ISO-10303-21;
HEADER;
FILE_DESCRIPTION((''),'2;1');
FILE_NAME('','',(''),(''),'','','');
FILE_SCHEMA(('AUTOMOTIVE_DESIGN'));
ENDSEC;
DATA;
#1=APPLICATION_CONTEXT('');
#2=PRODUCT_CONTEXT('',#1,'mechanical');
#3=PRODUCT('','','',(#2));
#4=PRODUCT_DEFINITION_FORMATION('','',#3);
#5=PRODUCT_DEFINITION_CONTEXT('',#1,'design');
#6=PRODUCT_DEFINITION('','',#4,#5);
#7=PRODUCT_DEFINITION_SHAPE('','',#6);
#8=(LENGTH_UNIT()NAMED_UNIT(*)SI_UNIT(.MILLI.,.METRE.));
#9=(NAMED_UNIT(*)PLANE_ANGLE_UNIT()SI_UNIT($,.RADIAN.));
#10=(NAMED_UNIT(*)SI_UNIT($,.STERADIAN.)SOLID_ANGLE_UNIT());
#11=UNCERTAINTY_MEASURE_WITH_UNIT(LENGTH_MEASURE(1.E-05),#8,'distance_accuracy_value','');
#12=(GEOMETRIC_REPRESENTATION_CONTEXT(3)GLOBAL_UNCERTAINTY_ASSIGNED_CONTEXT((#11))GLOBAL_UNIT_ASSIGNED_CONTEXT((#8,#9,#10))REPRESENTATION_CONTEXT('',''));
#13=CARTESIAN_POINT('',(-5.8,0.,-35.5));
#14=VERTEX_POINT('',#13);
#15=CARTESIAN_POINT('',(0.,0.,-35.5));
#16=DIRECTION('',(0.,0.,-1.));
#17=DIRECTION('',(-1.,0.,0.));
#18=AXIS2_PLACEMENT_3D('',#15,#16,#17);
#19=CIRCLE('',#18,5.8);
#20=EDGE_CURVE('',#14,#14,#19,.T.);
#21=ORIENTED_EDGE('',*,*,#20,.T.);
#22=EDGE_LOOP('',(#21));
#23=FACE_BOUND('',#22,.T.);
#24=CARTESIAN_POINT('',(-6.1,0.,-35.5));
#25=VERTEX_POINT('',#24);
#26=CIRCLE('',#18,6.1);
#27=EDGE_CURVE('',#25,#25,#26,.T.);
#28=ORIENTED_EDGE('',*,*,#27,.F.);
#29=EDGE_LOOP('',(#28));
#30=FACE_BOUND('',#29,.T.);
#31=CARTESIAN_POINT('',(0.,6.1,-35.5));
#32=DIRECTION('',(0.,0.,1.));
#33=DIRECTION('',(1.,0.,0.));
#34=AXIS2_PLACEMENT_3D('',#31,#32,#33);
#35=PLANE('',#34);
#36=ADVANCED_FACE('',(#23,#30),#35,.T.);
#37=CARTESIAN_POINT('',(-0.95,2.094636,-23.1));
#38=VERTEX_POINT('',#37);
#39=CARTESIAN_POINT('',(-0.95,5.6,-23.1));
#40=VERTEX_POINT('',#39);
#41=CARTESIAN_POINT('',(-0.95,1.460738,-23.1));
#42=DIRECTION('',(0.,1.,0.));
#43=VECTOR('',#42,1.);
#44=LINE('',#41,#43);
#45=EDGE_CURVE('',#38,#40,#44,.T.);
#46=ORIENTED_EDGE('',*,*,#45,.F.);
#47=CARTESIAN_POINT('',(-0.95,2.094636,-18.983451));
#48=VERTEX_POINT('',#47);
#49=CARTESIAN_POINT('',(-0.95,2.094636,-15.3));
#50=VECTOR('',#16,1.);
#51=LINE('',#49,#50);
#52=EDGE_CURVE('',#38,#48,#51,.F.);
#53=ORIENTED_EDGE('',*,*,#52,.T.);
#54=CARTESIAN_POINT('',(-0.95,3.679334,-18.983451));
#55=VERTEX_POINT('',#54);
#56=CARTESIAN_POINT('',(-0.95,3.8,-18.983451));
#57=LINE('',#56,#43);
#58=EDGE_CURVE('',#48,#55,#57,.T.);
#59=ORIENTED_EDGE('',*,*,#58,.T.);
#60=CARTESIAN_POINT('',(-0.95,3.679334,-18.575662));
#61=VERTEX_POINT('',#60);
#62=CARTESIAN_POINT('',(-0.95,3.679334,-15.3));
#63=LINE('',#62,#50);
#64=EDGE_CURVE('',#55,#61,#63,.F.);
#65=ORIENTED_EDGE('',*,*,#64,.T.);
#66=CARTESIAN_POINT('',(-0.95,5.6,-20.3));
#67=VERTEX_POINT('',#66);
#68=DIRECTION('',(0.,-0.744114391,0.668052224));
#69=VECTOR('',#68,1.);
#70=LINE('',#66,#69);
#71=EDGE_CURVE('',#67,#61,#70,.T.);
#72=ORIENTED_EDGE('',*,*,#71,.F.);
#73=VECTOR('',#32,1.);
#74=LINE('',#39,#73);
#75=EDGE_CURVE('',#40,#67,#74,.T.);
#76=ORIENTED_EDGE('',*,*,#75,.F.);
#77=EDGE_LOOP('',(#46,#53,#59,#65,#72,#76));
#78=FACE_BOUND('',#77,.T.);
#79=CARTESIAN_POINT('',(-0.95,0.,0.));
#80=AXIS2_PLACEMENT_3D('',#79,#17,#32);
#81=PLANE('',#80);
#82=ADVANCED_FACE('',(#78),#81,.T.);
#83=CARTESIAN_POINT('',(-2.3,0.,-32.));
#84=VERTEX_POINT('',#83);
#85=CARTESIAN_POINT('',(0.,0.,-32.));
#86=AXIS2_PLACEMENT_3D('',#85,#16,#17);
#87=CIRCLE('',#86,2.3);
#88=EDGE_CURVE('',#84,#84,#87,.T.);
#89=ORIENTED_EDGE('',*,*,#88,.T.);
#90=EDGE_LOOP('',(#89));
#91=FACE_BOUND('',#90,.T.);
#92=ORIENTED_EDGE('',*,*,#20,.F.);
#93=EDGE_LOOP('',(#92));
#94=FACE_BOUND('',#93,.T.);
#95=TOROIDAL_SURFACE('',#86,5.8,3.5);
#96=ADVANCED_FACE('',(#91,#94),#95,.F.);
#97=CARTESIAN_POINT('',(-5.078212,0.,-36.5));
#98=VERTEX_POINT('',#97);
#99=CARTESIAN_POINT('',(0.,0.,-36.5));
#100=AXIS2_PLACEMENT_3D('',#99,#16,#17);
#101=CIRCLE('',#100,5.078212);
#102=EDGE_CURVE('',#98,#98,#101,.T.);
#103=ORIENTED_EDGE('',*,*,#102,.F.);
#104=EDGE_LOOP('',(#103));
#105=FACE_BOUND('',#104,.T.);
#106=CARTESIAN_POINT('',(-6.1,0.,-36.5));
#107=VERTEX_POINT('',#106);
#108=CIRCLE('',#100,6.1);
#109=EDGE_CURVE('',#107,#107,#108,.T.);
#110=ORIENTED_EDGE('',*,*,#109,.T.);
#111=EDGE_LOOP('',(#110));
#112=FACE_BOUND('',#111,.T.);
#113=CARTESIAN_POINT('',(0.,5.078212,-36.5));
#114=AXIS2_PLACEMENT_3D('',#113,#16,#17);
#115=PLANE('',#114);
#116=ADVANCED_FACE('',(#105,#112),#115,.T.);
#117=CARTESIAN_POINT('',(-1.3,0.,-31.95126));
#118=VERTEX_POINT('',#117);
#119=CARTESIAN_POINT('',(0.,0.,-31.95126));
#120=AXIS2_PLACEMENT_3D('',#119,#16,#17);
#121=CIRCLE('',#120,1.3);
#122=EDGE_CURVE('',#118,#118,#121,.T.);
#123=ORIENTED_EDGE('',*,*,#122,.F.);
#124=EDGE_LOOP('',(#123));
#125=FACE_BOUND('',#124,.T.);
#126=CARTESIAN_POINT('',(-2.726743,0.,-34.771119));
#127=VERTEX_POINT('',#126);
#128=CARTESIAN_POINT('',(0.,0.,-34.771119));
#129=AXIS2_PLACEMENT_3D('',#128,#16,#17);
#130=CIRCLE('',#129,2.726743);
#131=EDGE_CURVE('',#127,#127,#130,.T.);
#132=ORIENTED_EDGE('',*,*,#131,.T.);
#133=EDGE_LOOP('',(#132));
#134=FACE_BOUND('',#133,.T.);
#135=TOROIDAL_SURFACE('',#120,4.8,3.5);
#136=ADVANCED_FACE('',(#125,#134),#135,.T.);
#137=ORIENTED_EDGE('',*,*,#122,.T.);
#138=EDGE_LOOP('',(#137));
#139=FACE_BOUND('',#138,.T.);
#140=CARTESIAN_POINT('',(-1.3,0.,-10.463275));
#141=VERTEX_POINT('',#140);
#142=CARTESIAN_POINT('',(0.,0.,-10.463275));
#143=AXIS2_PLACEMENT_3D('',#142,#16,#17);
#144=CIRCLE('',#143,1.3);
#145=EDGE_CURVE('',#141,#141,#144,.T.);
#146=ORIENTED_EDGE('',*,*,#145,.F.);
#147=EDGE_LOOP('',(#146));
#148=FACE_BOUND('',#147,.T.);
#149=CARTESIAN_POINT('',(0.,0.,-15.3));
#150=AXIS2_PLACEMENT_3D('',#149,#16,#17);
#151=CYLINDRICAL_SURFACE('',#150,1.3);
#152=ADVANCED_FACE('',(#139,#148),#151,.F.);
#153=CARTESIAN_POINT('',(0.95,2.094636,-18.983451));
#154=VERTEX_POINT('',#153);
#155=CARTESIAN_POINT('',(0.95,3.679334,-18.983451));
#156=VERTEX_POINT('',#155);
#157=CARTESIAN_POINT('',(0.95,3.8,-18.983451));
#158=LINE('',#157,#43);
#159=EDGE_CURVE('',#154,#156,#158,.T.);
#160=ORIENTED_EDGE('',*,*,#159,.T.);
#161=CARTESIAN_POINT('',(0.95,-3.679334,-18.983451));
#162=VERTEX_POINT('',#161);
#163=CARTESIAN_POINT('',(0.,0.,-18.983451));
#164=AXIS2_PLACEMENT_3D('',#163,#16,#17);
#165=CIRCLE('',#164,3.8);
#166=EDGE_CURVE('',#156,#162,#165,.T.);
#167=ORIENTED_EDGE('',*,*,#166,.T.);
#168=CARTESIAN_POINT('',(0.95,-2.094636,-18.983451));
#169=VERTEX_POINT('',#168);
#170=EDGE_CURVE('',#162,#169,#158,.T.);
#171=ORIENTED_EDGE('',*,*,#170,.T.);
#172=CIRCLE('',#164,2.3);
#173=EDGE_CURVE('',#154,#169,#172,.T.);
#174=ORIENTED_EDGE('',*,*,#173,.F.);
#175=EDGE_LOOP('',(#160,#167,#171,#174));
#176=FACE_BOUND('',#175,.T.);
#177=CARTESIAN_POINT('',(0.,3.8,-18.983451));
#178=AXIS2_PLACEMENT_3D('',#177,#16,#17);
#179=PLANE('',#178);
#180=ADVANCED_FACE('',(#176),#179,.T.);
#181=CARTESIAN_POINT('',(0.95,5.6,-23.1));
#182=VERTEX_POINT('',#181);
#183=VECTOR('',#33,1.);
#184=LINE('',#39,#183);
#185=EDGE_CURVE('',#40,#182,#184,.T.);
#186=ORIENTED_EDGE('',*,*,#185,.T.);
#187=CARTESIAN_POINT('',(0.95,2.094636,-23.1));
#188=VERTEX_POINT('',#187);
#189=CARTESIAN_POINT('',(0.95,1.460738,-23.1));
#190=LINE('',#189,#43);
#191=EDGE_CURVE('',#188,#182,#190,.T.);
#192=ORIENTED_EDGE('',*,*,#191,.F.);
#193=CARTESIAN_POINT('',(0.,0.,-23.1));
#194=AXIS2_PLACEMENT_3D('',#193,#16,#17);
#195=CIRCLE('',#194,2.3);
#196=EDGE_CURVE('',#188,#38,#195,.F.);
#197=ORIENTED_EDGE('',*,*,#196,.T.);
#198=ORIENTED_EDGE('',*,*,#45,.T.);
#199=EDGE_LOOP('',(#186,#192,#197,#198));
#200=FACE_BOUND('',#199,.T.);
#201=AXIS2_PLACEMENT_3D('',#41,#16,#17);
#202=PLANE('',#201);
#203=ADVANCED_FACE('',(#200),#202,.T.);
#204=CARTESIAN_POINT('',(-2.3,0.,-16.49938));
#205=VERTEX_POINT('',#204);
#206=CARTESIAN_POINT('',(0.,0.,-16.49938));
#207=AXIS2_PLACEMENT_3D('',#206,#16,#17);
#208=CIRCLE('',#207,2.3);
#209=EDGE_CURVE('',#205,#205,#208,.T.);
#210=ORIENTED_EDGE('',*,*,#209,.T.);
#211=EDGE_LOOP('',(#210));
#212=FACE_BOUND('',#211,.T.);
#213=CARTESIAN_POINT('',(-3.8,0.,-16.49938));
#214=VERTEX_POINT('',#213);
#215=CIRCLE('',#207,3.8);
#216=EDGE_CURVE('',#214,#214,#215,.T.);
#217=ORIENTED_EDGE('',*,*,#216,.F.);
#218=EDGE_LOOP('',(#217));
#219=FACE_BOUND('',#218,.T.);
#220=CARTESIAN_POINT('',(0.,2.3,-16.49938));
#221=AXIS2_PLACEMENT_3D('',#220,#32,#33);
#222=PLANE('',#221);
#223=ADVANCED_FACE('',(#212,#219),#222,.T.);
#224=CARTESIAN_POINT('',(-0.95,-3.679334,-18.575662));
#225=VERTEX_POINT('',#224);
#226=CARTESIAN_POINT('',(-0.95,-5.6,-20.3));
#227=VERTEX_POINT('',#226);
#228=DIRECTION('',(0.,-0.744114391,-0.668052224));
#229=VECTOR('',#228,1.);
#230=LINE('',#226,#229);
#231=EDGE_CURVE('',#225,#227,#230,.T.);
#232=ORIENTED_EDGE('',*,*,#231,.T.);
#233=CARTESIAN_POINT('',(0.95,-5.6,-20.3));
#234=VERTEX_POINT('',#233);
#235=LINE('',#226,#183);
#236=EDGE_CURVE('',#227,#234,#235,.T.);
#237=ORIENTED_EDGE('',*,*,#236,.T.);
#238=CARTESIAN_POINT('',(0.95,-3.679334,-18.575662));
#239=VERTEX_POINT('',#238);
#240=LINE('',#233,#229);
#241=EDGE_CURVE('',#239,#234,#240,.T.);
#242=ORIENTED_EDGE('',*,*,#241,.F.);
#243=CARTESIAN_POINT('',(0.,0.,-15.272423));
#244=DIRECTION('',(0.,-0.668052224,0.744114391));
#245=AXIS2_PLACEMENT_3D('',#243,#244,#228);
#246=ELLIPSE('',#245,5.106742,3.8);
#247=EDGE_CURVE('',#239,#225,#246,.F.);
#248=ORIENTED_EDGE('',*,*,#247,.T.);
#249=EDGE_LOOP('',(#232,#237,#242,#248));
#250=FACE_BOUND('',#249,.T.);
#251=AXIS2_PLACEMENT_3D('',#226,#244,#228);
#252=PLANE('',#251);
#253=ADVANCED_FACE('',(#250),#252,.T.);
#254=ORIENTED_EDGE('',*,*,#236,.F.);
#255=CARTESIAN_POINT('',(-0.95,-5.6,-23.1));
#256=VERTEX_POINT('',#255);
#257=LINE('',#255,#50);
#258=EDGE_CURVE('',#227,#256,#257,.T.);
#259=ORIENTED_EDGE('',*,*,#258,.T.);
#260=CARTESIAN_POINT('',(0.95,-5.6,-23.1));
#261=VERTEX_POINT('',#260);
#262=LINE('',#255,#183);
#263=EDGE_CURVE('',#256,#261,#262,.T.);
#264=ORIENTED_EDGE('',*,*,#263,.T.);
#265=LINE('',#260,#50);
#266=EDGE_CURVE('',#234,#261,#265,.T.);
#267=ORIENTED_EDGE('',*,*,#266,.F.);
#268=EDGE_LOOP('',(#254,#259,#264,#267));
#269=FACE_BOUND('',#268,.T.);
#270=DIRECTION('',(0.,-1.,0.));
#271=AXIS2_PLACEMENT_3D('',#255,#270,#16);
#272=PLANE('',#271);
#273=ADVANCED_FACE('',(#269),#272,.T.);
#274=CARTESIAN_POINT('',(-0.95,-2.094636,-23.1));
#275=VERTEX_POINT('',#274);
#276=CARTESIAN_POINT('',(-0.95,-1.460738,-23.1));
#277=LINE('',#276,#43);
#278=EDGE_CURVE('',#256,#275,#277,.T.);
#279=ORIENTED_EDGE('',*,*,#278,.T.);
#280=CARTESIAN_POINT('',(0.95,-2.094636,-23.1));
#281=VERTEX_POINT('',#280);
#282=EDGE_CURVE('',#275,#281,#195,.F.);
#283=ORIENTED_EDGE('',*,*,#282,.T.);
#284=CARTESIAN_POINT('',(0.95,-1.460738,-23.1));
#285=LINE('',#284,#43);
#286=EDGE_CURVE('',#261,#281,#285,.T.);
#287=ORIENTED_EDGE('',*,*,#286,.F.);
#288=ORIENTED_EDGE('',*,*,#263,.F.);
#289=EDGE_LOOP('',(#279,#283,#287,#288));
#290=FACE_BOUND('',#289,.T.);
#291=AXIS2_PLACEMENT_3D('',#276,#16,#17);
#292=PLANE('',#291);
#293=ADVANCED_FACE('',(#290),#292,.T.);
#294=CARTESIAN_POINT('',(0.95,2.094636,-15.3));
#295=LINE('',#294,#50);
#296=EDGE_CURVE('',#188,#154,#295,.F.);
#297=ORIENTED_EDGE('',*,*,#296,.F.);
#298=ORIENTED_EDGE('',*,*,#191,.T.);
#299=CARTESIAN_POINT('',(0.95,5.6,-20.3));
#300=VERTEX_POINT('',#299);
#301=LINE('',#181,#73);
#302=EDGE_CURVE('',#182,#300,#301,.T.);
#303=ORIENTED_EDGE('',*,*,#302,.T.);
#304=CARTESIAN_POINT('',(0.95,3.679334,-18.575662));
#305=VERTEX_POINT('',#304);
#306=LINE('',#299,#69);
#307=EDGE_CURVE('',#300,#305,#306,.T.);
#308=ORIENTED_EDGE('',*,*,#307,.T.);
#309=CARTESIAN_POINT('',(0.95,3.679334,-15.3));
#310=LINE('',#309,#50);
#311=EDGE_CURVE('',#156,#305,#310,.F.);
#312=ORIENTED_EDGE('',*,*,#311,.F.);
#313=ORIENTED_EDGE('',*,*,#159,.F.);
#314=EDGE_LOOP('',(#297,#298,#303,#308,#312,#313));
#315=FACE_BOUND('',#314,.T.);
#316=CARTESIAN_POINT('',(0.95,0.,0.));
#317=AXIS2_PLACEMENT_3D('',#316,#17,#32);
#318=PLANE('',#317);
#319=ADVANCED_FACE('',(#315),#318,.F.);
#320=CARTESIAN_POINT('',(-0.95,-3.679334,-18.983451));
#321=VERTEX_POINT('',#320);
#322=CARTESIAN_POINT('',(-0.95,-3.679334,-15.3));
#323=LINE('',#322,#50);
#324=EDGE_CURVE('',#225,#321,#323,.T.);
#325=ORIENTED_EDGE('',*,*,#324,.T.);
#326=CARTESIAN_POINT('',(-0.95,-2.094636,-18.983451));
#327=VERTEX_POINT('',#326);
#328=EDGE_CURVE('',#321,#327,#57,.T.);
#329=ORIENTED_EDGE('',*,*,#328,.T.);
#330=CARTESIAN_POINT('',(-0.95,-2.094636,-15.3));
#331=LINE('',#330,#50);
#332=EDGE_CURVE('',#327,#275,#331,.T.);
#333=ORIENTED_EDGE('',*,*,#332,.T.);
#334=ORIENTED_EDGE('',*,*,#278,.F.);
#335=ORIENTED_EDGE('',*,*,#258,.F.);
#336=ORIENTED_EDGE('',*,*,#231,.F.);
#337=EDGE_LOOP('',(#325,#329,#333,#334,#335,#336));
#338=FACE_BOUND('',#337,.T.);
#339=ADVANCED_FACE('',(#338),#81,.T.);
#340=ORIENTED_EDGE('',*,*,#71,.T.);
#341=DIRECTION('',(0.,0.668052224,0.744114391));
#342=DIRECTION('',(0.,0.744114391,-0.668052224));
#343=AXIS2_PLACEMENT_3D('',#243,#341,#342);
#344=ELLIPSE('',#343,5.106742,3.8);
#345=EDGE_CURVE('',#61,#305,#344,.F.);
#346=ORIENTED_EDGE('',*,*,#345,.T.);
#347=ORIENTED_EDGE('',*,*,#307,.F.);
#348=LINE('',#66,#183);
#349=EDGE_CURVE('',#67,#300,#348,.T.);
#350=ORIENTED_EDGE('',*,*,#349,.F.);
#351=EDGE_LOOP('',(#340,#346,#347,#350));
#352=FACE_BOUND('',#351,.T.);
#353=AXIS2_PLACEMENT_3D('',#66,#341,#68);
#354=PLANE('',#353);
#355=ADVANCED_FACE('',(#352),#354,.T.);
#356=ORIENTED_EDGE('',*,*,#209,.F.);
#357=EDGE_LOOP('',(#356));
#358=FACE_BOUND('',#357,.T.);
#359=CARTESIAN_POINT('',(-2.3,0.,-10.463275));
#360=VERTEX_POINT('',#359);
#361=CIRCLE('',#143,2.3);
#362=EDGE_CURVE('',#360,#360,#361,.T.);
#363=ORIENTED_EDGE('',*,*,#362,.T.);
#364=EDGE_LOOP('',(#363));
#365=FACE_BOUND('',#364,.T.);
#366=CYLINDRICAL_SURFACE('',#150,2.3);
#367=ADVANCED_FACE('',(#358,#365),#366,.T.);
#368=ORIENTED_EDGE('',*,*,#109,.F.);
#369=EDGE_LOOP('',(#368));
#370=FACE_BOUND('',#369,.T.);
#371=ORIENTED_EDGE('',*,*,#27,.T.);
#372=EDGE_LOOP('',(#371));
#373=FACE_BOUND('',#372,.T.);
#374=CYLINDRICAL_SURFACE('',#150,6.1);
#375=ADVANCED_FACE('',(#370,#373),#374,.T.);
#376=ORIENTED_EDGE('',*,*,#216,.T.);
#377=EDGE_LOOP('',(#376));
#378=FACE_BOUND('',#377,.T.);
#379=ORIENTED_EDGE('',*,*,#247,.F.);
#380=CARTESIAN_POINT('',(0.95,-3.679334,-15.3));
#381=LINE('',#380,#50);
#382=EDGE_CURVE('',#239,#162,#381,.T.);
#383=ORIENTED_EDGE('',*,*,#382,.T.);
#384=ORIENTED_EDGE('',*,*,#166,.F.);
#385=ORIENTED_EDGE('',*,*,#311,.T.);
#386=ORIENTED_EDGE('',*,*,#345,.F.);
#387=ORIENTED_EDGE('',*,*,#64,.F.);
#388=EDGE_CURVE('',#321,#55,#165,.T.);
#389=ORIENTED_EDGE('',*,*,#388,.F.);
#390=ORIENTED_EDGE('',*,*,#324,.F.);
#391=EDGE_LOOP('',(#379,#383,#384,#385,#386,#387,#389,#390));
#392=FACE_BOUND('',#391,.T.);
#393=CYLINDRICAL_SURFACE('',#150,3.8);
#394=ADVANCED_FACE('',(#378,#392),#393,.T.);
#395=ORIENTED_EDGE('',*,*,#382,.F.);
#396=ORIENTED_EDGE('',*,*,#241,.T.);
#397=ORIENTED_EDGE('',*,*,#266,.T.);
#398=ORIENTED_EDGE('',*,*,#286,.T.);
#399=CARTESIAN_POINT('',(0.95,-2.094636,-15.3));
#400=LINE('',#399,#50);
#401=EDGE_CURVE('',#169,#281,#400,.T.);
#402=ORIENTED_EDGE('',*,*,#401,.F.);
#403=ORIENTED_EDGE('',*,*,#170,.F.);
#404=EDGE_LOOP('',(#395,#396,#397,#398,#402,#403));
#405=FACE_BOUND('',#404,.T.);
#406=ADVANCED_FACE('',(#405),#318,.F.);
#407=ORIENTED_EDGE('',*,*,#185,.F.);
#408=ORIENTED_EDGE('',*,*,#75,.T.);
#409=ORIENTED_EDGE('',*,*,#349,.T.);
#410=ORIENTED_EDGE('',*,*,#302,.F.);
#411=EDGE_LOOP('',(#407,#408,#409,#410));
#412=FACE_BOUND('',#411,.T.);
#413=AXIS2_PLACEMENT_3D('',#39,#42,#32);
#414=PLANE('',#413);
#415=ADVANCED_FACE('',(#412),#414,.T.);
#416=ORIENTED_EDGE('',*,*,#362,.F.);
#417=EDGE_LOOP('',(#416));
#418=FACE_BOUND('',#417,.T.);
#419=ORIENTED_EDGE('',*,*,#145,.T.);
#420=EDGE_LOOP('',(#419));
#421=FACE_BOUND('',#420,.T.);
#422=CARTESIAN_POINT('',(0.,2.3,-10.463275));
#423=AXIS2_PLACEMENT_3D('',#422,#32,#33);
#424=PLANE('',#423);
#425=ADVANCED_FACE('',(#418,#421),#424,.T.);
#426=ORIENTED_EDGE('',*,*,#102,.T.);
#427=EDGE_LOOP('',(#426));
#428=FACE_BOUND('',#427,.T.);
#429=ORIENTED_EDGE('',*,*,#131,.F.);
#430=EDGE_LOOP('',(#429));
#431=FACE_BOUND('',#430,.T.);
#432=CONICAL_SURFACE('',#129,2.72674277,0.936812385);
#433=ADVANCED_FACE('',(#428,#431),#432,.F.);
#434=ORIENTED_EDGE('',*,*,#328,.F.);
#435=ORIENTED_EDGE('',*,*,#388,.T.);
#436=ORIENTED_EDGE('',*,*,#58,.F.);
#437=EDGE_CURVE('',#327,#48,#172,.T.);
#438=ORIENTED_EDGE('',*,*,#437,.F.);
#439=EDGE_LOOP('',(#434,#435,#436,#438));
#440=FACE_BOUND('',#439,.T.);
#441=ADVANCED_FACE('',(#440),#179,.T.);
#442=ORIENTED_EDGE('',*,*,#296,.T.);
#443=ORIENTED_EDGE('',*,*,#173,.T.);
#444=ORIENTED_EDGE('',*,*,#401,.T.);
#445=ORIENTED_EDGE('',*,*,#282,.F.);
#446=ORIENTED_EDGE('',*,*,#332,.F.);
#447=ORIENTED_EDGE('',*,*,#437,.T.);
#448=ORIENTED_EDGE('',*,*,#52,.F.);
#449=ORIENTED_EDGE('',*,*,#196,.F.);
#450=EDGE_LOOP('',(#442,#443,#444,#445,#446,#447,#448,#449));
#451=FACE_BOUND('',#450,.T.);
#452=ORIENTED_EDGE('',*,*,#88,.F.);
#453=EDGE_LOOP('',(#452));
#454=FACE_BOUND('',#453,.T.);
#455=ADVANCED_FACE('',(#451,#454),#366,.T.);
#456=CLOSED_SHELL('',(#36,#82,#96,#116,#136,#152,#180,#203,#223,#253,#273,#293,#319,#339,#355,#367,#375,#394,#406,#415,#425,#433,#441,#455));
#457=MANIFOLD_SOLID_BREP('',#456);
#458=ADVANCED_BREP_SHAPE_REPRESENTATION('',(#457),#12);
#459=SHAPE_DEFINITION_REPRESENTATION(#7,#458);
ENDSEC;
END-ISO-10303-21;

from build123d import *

# Parameters (mm, degrees)
BOSS_EXTRUDE1_DEPTH      = 0.95
BOSS_EXTRUDE1_DEPTH_BACK = 0.95


with BuildPart() as part:
    # Sketch1 → Revolve1 (revolve)
    with BuildSketch(Plane(origin=(0, 0, 0), x_dir=(0, 0, -1), z_dir=(1, 0, 0))):
        with BuildLine():
            Line((10.463274616, 2.3), (16.499380089, 2.3))
            Line((16.499380089, 2.3), (16.499380089, 3.8))
            Line((16.499380089, 3.8), (18.983450943, 3.8))
            Line((18.983450943, 3.8), (18.983450943, 2.3))
            Line((18.983450943, 2.3), (32, 2.3))
            ThreePointArc((32, 2.3), (34.474873734, 3.325126266), (35.5, 5.8))
            Line((35.5, 5.8), (35.5, 6.1))
            Line((35.5, 6.1), (36.5, 6.1))
            Line((36.5, 6.1), (36.5, 5.078211692))
            Line((36.5, 5.078211692), (34.771119215, 2.72674277))
            ThreePointArc((34.771119215, 2.72674277), (33.531386801, 1.676988608), (31.951260272, 1.3))
            Line((31.951260272, 1.3), (10.463274616, 1.3))
            Line((10.463274616, 1.3), (10.463274616, 2.3))
        make_face()
    revolve(axis=Axis((0, 0, -15.3), (0, 0, 1)))

    # Sketch2 → Boss-Extrude1 (add, two sides: drawn at the far end of the back side and taken through both)
    with BuildSketch(Plane(origin=(0, 0, 0), x_dir=(0, 0, -1), z_dir=(1, 0, 0)).offset(-BOSS_EXTRUDE1_DEPTH_BACK)):
        Polygon((23.1, 1.460737541), (23.1, 5.6), (20.3, 5.6), (16.583846242, 1.460737541), align=None)
        Polygon((16.583846242, -1.460737541), (23.1, -1.460737541), (23.1, -5.6), (20.3, -5.6), align=None)
    extrude(amount=BOSS_EXTRUDE1_DEPTH + BOSS_EXTRUDE1_DEPTH_BACK)


solid = part.part
